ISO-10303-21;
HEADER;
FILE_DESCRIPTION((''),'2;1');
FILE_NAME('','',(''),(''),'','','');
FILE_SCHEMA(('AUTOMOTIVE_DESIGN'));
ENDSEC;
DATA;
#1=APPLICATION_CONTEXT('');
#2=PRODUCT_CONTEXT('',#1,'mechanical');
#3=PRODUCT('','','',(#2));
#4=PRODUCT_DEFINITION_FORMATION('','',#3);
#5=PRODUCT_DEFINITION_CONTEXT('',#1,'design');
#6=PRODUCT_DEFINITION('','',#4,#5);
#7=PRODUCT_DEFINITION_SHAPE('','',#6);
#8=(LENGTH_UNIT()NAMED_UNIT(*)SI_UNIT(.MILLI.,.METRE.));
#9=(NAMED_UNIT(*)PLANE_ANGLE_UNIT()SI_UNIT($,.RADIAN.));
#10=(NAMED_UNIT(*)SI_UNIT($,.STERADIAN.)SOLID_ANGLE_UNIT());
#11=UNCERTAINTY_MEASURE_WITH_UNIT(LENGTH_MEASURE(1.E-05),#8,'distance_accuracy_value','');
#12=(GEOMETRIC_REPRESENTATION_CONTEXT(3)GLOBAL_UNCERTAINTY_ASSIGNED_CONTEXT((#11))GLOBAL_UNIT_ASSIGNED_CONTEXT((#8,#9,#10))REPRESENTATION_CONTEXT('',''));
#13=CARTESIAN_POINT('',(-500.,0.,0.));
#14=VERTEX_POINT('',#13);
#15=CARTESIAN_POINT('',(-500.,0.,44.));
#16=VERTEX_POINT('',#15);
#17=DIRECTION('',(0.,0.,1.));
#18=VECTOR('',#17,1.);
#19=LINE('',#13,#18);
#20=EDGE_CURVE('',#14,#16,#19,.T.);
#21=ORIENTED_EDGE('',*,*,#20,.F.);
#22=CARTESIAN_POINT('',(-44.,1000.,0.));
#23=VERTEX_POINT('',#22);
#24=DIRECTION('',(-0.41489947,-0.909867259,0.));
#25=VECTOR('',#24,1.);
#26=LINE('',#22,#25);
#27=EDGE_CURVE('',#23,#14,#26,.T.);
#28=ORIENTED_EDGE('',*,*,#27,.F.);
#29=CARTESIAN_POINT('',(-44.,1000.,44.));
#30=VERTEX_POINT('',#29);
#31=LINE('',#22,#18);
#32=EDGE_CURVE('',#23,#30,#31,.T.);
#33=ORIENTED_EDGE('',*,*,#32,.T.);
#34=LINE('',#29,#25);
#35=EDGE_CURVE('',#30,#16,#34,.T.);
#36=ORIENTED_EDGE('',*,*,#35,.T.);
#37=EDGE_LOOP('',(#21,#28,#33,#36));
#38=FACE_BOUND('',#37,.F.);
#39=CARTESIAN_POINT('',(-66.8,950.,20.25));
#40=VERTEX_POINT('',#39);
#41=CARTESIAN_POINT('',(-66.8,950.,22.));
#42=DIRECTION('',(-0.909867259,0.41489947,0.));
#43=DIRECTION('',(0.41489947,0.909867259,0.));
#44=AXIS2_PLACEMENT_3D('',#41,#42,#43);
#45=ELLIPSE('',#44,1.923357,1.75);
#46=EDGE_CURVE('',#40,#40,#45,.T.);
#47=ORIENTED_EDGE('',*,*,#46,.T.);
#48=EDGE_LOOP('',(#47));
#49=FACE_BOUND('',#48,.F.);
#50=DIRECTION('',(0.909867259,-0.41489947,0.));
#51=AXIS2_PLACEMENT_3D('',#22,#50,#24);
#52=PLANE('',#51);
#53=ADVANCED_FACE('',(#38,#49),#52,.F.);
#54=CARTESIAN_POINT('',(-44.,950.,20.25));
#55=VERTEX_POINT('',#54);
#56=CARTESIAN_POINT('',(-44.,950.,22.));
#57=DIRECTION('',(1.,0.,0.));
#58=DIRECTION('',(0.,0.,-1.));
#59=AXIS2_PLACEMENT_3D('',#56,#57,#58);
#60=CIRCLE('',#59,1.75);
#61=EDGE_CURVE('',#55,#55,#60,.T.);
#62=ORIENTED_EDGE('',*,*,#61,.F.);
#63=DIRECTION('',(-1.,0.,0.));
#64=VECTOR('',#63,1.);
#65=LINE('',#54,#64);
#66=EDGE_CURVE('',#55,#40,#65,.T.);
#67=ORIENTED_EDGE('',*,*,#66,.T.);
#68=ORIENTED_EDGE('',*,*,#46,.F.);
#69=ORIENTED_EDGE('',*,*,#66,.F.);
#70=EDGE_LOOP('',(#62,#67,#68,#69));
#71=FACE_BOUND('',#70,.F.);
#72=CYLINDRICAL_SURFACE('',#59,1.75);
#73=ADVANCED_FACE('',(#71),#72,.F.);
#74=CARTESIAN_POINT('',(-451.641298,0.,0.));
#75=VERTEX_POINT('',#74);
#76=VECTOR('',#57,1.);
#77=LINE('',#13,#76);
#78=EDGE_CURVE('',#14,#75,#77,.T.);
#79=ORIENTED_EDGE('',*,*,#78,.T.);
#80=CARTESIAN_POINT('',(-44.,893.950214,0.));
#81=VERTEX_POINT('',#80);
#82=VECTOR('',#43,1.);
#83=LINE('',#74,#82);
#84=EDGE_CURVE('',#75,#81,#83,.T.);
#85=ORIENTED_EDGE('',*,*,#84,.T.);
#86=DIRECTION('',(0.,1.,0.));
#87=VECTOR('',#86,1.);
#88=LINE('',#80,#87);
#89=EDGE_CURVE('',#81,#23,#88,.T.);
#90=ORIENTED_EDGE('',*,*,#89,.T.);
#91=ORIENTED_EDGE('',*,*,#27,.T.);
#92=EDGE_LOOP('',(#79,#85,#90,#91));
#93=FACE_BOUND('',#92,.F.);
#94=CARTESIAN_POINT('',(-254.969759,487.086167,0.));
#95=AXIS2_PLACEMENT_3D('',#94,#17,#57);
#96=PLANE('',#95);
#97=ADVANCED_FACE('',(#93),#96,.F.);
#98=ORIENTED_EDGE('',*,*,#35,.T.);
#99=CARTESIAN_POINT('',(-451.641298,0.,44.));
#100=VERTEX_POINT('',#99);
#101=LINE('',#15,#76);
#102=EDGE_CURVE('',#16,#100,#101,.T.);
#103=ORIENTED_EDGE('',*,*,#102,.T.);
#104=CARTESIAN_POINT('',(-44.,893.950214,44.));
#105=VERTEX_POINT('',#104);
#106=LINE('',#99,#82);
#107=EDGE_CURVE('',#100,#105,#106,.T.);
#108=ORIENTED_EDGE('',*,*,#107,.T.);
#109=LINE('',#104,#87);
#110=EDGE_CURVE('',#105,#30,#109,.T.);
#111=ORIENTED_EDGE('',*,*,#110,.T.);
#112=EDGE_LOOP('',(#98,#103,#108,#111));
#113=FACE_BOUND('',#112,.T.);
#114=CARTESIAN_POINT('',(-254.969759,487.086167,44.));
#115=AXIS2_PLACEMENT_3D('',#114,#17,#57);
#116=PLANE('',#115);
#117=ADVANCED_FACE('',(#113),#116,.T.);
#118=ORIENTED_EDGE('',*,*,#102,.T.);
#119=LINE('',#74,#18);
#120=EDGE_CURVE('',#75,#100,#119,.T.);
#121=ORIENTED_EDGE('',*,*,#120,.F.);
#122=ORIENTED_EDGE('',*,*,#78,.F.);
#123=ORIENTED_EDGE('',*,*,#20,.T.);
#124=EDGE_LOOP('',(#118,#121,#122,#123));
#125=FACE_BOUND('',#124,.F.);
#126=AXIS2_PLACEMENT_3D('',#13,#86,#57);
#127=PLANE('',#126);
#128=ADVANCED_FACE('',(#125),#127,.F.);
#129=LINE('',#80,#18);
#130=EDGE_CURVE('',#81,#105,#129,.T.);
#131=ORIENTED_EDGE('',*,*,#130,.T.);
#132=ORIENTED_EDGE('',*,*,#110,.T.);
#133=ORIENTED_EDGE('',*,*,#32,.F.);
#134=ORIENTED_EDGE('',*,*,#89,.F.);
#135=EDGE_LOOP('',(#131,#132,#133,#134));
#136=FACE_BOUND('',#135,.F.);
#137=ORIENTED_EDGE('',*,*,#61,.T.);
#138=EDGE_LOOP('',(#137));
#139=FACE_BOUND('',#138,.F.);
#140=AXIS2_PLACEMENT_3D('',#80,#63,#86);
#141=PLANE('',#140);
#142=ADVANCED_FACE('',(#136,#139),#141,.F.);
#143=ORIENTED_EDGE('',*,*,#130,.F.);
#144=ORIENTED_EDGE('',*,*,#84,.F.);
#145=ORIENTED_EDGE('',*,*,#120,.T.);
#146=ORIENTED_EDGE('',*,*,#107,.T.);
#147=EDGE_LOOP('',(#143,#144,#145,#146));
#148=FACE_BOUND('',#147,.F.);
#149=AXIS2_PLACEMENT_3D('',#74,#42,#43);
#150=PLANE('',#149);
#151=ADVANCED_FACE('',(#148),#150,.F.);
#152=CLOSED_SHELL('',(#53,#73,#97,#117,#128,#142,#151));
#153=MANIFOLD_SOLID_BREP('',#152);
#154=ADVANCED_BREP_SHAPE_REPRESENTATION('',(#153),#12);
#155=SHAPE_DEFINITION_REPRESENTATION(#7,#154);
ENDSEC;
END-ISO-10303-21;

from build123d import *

# Parameters (mm, degrees)
BOSS_EXTRU_1_DEPTH      = 44
ENL_V_MAT_EXTRU_1_REACH = 458
ESQUISSE2_R             = 1.75


with BuildPart() as part:
    # Esquisse1 → Boss.-Extru.1 (new body)
    with BuildSketch(Plane.XY):
        Polygon((-44, 1000), (-500, 0), (-451.641297619, 0), (-44, 893.950214076), align=None)
    extrude(amount=BOSS_EXTRU_1_DEPTH)

    # Enlèv. mat.-Extru.1: up to this face of the body (flat: up to its plane)
    enl_v_mat_extru_1_end = Plane(part.part.faces().sort_by_distance((-272, 500, 22))[0])
    # Esquisse2 → Enlèv. mat.-Extru.1 (cut, up to the picked face)
    with BuildSketch(Plane(origin=(-44, 0, 0), x_dir=(0, 0, -1), z_dir=(1, 0, 0)), mode=Mode.PRIVATE) as enl_v_mat_extru_1_sk1:
        with Locations((-22, 950)):
            Circle(ESQUISSE2_R)
    enl_v_mat_extru_1_tool1 = split(extrude(enl_v_mat_extru_1_sk1.sketch, amount=-ENL_V_MAT_EXTRU_1_REACH, mode=Mode.PRIVATE), bisect_by=enl_v_mat_extru_1_end, keep=Keep.BOTH, mode=Mode.PRIVATE)
    add(enl_v_mat_extru_1_tool1.solids().sort_by_distance((-44, 950, 22))[0], mode=Mode.SUBTRACT)


solid = part.part
